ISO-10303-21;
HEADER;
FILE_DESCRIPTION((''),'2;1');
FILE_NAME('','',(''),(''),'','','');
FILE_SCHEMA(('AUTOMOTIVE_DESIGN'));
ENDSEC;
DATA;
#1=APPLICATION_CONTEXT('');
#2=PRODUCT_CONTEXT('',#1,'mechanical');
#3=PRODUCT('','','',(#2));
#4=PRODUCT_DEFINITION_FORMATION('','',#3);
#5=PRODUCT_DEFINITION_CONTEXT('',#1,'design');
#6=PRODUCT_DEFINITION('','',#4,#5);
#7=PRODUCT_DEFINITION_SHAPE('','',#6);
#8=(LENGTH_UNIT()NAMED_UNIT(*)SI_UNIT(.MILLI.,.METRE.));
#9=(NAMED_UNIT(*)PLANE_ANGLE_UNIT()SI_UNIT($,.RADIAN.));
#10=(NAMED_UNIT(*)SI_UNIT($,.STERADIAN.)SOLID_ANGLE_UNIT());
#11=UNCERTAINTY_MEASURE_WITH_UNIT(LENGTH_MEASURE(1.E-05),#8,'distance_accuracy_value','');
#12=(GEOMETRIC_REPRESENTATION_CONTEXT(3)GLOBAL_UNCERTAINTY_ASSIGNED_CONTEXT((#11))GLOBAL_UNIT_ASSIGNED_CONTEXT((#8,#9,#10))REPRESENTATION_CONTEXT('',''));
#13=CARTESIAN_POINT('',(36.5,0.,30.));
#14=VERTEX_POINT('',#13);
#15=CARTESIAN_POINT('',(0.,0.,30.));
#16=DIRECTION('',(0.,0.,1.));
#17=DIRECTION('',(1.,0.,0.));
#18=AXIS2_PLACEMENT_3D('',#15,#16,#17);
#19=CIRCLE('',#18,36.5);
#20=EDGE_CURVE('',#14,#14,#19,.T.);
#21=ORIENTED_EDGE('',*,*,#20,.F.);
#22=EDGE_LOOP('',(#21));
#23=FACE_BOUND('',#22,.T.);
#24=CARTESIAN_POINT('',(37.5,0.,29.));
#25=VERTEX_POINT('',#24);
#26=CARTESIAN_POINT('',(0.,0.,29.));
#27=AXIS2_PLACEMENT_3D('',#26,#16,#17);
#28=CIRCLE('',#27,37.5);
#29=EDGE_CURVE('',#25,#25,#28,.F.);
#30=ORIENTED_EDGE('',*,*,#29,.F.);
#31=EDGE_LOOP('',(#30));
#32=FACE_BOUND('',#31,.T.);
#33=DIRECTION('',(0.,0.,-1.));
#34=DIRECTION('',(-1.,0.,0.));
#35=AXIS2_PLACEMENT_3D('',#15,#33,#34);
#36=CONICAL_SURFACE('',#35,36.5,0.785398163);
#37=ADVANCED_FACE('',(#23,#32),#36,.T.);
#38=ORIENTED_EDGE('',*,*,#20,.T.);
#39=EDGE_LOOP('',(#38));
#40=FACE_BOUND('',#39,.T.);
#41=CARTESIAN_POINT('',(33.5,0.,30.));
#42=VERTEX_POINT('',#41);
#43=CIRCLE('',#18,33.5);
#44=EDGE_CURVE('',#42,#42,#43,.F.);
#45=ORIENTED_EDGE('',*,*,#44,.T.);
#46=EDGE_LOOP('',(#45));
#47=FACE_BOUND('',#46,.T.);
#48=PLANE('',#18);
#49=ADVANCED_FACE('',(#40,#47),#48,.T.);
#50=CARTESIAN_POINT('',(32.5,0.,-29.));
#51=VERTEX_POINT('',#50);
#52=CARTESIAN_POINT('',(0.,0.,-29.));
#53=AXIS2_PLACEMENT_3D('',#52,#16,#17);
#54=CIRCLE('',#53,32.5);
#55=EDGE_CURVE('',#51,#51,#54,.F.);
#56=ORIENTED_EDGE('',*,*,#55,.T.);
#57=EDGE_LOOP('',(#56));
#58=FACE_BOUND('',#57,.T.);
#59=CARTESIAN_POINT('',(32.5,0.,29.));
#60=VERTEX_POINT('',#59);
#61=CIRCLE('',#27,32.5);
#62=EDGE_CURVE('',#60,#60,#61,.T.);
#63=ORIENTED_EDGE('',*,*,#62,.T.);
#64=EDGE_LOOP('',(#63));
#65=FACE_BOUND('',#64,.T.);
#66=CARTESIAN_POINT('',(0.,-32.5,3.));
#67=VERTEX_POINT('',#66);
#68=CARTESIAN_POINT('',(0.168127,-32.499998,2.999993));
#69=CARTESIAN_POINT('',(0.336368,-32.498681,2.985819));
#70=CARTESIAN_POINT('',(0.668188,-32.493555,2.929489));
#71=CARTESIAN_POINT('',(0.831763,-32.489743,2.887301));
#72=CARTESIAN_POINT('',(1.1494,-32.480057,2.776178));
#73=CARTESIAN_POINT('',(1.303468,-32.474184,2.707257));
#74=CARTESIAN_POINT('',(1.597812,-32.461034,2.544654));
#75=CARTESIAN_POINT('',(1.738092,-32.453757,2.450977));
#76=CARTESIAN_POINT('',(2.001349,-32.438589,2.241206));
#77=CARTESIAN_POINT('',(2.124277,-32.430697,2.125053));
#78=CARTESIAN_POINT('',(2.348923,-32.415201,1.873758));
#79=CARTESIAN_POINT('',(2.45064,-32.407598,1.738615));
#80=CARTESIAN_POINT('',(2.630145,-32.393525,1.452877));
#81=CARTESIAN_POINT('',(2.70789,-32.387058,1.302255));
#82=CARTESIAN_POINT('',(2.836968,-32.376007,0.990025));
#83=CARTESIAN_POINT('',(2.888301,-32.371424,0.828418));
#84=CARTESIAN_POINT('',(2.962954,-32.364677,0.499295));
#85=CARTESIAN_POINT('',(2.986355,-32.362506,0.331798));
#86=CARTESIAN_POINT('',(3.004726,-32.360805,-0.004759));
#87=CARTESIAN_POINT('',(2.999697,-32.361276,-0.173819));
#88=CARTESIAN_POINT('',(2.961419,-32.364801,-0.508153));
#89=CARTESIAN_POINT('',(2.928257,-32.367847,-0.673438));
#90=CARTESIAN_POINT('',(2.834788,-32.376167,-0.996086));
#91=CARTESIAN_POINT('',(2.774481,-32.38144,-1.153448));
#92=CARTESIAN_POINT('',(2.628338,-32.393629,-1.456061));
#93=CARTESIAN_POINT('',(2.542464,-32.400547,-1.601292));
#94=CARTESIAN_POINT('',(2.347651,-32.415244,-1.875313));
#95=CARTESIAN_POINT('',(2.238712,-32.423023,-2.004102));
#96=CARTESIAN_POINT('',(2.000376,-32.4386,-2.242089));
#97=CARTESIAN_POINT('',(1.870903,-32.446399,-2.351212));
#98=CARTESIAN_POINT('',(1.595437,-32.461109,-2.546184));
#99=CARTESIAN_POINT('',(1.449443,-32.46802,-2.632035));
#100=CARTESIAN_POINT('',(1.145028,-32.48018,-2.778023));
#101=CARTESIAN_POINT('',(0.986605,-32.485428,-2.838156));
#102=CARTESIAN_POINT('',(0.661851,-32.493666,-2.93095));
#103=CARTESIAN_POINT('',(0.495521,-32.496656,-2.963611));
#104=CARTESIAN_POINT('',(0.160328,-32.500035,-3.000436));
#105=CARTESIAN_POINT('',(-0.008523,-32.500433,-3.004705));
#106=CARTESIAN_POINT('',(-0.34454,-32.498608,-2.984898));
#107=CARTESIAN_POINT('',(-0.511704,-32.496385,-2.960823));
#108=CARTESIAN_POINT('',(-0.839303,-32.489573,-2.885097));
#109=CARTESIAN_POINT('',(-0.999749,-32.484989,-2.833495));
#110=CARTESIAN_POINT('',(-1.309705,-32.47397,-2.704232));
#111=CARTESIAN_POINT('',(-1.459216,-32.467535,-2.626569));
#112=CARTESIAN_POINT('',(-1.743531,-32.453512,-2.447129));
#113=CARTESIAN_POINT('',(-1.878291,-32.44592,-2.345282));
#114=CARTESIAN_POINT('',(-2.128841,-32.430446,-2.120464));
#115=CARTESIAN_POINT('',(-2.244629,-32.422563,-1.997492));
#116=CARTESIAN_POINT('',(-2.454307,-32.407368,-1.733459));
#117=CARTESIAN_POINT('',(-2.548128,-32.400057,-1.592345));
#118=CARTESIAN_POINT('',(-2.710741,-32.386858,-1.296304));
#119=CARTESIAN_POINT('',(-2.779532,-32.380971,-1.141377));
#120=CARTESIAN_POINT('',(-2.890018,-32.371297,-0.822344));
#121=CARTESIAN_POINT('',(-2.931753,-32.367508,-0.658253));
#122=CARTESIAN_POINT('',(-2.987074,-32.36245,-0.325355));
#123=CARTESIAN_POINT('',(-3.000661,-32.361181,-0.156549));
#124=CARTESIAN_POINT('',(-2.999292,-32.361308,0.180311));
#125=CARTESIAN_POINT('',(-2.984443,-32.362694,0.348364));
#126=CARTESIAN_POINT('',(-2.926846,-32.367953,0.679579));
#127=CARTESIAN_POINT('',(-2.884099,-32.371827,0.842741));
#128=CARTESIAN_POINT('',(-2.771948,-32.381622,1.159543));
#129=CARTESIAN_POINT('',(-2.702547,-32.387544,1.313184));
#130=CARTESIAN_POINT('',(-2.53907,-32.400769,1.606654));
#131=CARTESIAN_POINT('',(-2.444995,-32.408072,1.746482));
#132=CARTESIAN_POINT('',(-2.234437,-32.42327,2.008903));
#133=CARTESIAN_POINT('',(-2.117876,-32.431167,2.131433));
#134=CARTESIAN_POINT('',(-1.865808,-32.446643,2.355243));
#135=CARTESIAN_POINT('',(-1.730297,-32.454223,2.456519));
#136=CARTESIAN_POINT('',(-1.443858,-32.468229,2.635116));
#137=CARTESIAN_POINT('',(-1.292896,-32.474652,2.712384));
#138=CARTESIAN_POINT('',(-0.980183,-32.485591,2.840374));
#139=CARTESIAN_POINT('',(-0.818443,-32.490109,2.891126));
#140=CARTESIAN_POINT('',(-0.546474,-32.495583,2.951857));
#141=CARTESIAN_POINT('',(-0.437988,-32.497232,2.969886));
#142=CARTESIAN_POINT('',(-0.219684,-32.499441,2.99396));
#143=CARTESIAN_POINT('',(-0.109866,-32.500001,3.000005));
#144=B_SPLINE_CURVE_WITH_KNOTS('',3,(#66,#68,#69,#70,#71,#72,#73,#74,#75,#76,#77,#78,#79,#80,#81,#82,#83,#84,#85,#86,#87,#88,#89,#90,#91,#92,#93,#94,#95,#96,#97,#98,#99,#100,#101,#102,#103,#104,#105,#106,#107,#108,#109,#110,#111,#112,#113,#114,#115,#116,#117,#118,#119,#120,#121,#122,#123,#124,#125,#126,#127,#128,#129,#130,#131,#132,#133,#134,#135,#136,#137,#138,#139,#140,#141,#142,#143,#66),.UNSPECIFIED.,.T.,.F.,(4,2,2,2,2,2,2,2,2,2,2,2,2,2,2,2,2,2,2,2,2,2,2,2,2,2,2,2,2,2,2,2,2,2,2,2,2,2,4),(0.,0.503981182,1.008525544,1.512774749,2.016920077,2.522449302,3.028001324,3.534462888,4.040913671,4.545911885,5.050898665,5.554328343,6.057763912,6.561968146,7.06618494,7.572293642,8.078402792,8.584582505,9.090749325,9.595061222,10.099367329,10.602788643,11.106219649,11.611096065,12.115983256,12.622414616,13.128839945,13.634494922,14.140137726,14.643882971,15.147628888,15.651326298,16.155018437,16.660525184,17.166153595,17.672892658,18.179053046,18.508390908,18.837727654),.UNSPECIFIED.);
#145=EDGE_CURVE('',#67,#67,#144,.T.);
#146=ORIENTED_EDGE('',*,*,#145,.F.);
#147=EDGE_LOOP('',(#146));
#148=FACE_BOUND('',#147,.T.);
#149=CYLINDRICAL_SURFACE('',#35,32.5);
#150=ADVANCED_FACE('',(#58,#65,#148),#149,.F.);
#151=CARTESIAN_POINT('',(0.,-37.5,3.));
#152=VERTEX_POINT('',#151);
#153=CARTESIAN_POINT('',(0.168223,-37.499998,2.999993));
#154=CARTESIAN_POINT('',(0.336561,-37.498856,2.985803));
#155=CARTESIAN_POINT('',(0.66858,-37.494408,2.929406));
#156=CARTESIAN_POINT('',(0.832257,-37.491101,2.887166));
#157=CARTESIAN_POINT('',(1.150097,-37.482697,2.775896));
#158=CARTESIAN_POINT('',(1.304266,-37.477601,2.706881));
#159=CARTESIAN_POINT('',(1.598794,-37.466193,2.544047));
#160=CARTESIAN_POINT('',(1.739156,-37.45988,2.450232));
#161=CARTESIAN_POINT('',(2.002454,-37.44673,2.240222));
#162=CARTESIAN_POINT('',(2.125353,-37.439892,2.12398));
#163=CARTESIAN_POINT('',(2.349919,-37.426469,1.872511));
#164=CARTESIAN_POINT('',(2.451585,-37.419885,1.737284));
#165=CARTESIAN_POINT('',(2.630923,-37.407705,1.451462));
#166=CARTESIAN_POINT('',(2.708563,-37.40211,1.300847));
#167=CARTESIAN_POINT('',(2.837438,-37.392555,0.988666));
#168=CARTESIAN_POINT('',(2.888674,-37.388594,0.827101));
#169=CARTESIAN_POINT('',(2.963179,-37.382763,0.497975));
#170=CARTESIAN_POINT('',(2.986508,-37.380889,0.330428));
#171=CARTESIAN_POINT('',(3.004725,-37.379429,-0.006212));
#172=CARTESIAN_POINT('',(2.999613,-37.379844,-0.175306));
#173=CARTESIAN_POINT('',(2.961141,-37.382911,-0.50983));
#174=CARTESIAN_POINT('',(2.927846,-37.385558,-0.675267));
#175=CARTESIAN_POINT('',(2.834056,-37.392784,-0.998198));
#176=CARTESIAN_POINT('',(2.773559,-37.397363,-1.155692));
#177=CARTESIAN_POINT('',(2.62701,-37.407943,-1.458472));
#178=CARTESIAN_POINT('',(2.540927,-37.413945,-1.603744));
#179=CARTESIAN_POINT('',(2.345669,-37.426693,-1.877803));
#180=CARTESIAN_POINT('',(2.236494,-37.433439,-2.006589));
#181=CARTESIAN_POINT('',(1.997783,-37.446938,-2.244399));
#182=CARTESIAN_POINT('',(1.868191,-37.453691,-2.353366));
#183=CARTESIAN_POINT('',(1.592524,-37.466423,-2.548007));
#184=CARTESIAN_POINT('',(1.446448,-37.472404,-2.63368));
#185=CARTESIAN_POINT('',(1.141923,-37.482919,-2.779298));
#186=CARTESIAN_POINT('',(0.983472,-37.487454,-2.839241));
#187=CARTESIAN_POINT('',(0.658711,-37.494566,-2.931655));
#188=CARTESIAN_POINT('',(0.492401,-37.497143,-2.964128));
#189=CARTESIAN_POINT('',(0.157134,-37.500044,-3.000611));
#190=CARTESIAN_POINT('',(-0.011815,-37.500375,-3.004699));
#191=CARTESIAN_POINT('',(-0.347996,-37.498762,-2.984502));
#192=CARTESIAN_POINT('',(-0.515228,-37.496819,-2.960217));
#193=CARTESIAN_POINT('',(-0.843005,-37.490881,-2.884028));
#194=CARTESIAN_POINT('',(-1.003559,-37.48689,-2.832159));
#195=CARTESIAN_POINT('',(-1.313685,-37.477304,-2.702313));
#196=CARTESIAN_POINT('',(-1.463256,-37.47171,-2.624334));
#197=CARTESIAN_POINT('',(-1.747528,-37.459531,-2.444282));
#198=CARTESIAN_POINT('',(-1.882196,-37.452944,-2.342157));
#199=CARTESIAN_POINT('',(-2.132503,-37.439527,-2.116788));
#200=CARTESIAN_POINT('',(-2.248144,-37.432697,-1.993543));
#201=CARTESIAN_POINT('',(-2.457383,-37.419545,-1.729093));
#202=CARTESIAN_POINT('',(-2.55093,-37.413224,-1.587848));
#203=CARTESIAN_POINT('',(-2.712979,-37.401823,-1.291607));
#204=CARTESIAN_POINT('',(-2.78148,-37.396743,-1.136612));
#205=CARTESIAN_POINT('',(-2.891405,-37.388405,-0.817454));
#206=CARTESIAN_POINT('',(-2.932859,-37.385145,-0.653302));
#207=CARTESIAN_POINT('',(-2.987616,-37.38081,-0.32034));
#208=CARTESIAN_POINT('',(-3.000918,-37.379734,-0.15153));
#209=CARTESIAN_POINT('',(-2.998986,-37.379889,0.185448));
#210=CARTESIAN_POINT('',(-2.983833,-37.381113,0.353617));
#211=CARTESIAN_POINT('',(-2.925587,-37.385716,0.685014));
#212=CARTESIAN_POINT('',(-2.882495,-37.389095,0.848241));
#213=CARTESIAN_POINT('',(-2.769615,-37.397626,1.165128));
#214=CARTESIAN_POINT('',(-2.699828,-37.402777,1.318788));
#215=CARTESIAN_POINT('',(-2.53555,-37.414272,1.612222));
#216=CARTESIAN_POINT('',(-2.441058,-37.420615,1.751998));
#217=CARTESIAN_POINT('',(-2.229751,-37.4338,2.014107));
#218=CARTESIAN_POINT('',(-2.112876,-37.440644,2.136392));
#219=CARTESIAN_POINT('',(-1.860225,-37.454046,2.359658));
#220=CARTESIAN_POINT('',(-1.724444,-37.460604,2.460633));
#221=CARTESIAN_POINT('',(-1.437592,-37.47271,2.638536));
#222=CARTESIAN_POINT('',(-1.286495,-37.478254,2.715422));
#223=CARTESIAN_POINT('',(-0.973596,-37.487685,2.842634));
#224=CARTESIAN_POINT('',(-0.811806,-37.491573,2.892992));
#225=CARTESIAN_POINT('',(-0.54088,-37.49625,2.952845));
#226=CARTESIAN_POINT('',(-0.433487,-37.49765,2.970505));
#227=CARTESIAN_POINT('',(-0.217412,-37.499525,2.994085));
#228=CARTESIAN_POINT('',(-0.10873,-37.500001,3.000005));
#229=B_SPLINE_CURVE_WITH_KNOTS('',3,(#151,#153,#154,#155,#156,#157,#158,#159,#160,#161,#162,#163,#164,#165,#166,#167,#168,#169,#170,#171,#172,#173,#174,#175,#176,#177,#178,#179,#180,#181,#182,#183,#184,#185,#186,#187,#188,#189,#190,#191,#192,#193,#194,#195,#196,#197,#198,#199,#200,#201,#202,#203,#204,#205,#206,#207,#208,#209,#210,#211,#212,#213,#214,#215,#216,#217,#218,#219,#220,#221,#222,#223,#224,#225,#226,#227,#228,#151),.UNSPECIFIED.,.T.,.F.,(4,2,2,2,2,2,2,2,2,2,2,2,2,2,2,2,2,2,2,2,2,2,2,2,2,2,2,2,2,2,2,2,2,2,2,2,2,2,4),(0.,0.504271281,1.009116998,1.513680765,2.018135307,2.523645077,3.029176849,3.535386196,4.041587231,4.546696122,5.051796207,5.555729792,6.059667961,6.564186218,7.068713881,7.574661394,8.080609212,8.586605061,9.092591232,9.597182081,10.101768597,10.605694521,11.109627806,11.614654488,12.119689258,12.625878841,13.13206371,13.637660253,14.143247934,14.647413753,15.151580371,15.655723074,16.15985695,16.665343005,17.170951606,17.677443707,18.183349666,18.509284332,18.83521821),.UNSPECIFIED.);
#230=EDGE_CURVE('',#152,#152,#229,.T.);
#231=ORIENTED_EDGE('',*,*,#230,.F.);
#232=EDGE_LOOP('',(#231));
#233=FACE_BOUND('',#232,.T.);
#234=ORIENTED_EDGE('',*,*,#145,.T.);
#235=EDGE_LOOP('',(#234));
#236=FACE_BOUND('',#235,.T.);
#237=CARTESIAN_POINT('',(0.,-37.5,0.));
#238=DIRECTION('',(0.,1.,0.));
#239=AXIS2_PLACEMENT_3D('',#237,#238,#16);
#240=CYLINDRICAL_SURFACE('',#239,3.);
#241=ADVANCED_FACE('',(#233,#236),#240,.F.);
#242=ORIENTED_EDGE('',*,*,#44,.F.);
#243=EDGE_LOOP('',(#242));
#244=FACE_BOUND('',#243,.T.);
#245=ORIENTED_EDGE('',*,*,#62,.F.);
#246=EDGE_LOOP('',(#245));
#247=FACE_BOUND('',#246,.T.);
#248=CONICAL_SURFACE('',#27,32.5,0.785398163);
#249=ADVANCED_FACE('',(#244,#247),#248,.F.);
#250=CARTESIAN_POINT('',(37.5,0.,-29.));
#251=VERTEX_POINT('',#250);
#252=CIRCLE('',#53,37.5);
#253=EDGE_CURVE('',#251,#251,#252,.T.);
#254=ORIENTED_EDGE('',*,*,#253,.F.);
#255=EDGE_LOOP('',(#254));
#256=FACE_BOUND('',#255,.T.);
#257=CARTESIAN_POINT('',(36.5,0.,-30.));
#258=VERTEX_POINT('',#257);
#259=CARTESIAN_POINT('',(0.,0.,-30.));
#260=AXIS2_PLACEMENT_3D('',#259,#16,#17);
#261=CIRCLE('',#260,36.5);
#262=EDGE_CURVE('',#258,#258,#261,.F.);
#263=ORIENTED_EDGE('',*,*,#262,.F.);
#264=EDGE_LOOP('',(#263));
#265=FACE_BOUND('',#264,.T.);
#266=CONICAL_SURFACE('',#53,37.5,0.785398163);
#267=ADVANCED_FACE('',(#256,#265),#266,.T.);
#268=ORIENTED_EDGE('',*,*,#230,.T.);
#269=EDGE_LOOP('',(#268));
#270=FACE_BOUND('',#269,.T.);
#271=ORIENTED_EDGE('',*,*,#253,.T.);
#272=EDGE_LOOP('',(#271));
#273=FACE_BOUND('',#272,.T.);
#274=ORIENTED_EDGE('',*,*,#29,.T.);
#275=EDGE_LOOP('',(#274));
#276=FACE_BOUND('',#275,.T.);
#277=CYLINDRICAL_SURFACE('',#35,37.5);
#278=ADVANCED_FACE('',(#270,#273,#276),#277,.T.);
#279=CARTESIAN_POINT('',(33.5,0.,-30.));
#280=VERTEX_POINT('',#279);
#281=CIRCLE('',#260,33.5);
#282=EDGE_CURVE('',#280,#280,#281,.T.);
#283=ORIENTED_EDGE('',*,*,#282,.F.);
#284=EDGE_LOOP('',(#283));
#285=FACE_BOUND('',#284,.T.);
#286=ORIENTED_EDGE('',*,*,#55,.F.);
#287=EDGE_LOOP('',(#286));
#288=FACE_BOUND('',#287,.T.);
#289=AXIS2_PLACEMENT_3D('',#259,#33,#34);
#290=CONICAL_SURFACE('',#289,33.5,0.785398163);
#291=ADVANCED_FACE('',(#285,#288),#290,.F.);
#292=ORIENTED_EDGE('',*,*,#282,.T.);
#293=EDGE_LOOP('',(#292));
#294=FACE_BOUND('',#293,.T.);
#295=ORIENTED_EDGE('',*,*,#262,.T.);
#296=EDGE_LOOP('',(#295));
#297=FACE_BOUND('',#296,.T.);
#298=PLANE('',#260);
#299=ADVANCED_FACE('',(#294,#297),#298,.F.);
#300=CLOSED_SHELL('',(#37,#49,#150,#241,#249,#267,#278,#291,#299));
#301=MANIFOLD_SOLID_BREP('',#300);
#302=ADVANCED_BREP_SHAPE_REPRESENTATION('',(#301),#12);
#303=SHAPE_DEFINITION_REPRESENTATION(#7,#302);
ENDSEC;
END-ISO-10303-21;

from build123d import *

# Parameters (mm, degrees)
SKETCH_1_R          = 37.5
SKETCH_1_R_2        = 32.5
EXTRUDE_1_DEPTH     = 30
CHAMFER_1_SIZE      = 1
SKETCH_2_R          = 3
CUT_EXTRUDE_1_DEPTH = 61.930288035


with BuildPart() as part:
    # 草图1 → 凸台-拉伸1 (new, symmetric)
    with BuildSketch(Plane.XY):
        Circle(SKETCH_1_R)
        Circle(SKETCH_1_R_2, mode=Mode.SUBTRACT)
    extrude(amount=EXTRUDE_1_DEPTH, both=True)

    # 倒角1
    chamfer_1_edges = [part.edges().sort_by_distance(p)[0] for p in [
        (-37.5, 0, -30),
        (-37.5, 0, 30),
        (-32.5, 0, -30),
        (-32.5, 0, 30),
    ]]
    chamfer(chamfer_1_edges, length=CHAMFER_1_SIZE)

    # 草图2 → 切除-拉伸1 (cut, through all)
    with BuildSketch(Plane(origin=(0, 0, 0), x_dir=(1, 0, 0), z_dir=(0, 1, 0))):
        with Locations(Location((0, 0, 0), (0, 0, 270))):
            Circle(SKETCH_2_R)
    extrude(amount=-CUT_EXTRUDE_1_DEPTH, mode=Mode.SUBTRACT)


solid = part.part
